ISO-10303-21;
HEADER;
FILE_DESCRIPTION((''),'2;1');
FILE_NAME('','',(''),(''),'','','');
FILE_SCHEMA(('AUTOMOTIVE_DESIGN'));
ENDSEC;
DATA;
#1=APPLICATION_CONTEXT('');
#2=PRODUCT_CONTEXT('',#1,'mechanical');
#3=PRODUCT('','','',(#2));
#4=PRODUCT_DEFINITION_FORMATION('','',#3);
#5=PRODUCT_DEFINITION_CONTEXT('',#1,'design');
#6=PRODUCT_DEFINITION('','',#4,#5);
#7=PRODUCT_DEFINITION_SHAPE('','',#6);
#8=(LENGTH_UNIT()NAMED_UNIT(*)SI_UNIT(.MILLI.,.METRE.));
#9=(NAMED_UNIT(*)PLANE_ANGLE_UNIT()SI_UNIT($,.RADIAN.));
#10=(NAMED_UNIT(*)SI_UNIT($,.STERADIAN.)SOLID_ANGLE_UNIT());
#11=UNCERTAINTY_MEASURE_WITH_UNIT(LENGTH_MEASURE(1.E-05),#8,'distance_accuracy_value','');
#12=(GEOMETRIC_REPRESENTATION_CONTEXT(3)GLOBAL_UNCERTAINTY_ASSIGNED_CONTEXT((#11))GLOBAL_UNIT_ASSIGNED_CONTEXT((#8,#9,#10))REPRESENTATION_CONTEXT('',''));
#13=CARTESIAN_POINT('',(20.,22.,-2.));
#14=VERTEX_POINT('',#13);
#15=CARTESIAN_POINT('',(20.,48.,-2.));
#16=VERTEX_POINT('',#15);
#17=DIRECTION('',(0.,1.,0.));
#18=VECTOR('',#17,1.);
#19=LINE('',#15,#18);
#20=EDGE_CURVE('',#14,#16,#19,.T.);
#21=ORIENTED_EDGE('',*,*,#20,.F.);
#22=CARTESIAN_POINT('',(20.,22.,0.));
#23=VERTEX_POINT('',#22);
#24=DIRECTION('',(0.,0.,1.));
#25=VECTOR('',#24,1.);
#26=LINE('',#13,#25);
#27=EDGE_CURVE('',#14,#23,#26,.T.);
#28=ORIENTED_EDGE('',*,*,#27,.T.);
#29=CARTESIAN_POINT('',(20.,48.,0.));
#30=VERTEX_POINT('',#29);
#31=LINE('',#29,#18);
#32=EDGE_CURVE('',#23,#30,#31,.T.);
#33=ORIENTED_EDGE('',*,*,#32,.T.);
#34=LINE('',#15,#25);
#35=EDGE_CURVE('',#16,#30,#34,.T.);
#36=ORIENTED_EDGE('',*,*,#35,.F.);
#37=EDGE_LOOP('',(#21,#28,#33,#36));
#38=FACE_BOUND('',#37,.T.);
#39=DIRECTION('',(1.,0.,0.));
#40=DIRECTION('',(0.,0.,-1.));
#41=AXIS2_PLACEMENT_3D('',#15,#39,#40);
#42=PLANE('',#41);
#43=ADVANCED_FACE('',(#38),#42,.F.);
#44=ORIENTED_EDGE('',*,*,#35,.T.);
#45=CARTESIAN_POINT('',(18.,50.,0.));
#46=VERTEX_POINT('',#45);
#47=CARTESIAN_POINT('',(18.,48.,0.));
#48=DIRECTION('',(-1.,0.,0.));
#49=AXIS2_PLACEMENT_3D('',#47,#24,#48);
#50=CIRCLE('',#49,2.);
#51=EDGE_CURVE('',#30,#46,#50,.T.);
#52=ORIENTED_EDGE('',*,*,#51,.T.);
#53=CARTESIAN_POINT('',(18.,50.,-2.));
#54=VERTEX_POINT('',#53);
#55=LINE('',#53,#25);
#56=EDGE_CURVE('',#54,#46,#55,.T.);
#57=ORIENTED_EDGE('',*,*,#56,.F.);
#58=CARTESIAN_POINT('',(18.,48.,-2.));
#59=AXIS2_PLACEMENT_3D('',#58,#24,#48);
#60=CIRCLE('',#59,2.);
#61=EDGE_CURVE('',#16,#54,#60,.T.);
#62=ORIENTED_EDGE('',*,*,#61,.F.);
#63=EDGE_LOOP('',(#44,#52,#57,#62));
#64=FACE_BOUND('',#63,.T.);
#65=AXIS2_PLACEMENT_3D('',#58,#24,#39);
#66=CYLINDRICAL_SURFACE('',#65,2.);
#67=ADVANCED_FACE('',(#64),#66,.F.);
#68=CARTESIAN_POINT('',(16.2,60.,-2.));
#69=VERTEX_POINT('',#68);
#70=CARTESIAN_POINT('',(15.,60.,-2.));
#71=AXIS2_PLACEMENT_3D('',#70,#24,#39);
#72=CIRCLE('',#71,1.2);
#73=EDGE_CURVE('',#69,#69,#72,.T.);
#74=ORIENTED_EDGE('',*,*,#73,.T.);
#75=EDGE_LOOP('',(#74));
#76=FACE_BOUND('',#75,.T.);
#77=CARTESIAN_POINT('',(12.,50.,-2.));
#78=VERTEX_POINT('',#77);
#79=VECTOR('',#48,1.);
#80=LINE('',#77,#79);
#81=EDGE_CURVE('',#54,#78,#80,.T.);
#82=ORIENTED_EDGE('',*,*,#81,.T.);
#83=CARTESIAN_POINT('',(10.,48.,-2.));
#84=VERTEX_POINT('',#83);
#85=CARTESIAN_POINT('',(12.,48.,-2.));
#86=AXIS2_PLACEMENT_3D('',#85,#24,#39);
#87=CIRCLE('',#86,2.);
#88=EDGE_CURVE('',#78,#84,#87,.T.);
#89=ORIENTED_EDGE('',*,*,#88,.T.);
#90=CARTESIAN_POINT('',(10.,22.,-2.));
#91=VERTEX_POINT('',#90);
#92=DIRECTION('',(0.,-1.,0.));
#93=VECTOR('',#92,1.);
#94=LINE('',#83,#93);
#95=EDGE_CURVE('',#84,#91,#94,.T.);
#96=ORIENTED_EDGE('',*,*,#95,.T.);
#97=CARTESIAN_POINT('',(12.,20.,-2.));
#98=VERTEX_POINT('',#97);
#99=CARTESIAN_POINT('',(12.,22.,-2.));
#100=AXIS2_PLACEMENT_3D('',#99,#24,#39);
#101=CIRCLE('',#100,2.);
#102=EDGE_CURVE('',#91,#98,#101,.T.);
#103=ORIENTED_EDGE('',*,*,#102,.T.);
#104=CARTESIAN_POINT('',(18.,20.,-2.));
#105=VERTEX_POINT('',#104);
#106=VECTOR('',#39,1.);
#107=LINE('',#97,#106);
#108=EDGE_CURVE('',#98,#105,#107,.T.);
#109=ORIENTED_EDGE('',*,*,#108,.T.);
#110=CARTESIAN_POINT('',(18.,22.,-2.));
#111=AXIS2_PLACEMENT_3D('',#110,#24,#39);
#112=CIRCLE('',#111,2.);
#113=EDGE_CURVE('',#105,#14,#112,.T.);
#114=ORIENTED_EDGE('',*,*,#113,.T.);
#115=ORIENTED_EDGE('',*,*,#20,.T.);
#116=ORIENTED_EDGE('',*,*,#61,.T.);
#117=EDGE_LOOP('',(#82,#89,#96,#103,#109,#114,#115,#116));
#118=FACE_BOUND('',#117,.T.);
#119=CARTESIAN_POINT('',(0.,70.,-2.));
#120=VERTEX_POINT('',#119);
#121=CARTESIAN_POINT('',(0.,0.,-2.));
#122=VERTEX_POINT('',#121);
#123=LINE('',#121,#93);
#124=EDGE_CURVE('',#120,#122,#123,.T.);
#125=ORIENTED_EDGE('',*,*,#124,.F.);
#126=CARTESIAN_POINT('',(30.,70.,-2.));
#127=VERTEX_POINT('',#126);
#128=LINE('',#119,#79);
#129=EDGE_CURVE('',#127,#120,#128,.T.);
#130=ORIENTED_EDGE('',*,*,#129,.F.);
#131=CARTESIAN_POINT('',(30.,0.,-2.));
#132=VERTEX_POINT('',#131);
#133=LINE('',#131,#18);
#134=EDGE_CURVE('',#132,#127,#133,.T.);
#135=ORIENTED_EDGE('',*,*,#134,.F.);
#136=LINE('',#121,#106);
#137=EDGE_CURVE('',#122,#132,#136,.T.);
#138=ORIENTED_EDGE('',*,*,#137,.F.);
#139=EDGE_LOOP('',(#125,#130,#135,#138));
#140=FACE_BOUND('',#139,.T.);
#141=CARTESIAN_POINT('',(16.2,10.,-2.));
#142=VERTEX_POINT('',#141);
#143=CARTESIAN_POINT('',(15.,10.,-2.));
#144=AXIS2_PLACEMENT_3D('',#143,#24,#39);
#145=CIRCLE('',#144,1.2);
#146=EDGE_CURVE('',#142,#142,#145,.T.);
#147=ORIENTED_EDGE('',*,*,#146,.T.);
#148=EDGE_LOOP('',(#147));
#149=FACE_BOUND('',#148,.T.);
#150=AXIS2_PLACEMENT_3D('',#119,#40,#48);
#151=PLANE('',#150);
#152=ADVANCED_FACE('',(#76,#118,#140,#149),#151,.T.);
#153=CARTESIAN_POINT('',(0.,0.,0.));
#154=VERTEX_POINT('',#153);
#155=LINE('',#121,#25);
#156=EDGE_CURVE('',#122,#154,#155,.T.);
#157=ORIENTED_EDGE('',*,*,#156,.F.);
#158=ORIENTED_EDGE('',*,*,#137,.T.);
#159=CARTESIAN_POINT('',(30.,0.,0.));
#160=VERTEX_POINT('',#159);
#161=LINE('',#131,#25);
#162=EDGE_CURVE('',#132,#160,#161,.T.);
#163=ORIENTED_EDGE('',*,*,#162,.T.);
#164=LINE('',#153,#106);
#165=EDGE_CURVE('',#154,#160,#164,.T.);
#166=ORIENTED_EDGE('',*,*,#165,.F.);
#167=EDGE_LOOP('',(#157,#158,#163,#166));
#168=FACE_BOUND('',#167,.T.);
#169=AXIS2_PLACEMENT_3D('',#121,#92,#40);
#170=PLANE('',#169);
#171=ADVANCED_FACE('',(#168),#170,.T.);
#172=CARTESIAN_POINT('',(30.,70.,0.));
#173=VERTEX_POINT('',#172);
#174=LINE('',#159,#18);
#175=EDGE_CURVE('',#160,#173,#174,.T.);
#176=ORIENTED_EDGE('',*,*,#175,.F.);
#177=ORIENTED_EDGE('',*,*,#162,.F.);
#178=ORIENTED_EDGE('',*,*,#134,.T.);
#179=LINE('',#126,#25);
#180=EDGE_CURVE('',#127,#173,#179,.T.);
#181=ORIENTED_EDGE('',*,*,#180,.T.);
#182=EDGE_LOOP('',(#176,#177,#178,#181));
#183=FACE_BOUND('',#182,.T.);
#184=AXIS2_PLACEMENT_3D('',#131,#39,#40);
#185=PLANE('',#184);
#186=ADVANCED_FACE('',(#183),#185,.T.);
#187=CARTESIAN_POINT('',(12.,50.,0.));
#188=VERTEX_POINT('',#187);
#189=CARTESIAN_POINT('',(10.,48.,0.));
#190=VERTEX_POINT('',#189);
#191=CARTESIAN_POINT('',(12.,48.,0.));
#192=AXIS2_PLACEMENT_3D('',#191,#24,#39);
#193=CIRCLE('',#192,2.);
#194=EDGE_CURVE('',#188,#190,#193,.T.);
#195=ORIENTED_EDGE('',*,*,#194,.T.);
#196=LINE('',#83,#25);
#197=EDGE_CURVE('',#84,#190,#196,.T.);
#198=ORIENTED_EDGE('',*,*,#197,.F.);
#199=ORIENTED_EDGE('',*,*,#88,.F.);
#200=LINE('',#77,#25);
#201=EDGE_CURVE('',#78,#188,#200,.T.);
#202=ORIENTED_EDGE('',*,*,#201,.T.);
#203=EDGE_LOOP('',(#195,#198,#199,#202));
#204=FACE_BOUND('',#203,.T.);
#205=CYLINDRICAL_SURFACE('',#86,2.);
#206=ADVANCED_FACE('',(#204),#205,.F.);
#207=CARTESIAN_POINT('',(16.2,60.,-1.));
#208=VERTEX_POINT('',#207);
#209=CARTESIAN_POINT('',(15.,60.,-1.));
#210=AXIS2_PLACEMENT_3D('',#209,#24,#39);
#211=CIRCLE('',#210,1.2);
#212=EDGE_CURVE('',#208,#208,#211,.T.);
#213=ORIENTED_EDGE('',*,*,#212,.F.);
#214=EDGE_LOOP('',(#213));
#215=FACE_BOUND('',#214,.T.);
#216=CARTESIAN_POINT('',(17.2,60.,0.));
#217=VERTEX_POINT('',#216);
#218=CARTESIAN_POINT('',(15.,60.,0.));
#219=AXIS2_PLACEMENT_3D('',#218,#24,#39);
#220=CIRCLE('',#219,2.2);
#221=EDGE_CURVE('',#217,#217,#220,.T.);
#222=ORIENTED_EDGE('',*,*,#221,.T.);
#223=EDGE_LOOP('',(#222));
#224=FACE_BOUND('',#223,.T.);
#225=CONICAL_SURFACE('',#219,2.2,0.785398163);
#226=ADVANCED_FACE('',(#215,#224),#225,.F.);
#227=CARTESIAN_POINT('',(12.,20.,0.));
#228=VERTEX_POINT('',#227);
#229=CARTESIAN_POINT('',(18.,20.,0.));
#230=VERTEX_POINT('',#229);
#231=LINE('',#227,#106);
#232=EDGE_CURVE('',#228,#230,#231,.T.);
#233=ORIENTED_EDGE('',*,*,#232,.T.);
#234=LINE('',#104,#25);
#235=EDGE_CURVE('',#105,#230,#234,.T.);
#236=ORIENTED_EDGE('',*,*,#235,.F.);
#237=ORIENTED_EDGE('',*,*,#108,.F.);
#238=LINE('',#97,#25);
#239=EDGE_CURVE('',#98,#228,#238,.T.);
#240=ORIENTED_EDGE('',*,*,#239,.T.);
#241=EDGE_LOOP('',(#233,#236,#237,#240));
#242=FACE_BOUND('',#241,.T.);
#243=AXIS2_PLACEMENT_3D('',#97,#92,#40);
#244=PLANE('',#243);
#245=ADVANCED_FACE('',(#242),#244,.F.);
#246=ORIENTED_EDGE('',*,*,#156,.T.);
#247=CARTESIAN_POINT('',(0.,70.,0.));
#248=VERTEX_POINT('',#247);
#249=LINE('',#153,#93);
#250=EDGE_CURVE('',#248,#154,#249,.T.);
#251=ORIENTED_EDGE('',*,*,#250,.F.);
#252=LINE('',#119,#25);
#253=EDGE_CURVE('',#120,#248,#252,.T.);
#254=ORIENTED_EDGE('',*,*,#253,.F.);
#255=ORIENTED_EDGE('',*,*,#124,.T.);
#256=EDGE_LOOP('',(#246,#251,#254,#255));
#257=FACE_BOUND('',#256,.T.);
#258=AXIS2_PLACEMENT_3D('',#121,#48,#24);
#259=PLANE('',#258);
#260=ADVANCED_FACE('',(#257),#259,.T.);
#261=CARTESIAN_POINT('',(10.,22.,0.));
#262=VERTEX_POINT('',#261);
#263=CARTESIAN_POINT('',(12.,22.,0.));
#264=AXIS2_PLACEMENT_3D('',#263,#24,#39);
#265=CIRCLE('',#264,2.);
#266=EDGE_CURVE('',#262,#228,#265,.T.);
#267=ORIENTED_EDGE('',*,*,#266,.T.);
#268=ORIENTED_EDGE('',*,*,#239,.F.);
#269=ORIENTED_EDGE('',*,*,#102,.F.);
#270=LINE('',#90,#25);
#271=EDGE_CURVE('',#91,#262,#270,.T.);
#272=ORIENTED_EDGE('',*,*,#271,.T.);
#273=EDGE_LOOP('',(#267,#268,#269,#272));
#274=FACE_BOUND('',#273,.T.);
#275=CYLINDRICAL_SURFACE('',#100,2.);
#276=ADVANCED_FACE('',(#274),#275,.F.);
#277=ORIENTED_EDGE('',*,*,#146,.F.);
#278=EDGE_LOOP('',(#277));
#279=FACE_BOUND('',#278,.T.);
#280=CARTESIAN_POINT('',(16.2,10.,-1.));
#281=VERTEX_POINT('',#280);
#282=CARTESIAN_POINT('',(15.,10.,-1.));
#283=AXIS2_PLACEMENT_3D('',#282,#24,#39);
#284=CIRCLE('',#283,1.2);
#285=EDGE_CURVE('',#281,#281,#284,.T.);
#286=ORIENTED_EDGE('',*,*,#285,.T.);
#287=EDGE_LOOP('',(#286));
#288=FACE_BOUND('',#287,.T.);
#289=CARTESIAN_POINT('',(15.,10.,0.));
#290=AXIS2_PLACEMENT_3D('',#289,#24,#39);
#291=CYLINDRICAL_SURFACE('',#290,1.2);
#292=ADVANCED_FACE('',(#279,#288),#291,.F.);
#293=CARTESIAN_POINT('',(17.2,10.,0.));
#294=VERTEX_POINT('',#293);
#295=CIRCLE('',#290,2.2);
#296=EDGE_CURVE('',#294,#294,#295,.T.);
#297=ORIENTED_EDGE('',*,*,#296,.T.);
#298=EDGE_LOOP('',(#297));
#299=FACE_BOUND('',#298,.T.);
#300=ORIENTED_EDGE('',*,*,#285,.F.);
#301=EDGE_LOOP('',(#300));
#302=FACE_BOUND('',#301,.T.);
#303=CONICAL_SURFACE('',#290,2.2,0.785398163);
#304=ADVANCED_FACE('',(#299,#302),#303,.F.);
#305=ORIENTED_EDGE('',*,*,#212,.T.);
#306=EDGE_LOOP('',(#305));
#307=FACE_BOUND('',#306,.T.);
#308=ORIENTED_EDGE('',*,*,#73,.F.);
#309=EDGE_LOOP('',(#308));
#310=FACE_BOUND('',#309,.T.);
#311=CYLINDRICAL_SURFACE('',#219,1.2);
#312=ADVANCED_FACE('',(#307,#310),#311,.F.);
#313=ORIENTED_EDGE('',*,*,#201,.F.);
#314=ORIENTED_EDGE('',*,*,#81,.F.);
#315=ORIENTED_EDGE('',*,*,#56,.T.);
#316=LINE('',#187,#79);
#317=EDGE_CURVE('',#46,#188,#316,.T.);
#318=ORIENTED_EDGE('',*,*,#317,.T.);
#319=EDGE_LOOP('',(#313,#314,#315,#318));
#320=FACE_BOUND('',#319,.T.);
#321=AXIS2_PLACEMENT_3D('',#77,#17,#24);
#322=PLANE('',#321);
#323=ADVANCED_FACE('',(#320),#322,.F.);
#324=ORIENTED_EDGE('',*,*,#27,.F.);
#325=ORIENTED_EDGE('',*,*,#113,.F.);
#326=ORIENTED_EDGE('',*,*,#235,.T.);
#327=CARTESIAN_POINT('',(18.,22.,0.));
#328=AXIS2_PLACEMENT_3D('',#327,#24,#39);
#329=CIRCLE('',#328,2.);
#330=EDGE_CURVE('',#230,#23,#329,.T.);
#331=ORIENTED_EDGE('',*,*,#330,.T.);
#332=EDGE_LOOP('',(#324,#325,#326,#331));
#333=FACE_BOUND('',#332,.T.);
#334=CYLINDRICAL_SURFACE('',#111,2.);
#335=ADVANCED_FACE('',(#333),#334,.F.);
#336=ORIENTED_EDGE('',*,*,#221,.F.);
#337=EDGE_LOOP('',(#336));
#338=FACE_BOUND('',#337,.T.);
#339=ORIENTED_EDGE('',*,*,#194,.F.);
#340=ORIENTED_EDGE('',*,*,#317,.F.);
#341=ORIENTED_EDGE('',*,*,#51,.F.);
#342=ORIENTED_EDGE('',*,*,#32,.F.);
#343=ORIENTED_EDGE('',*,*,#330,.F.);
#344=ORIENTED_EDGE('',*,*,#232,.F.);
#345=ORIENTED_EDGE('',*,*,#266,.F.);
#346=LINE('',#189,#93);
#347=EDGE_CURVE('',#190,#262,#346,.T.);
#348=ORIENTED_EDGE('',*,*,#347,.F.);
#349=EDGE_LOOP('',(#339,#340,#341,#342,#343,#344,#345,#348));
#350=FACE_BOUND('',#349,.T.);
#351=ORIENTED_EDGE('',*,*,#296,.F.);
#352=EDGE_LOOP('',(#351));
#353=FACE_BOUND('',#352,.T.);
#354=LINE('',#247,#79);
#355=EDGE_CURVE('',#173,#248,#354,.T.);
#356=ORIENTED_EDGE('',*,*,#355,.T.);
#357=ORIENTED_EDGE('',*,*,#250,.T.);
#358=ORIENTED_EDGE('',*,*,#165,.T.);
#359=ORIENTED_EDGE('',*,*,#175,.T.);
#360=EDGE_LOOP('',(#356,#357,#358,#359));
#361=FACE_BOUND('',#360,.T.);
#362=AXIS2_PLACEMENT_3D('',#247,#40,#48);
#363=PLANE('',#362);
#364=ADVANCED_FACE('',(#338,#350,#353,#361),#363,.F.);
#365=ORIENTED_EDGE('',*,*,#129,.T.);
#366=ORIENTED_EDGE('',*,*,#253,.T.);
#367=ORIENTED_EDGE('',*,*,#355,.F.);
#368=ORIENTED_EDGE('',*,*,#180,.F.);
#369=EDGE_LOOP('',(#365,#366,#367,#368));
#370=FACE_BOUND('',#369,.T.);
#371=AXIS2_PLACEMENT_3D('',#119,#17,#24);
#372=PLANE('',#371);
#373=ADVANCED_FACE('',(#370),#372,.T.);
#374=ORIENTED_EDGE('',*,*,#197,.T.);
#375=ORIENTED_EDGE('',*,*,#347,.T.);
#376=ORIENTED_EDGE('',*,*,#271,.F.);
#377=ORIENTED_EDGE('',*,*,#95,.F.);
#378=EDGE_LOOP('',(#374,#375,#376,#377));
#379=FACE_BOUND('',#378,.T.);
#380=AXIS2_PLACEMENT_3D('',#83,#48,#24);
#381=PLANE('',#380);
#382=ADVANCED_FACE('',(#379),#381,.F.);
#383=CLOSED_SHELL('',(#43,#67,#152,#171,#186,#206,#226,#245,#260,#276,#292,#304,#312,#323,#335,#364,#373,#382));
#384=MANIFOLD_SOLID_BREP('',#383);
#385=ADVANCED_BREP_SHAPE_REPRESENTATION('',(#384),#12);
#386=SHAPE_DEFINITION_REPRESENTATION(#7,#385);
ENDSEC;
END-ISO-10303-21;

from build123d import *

# Parameters (mm, degrees)
SKETCH1_W                                   = 30
SKETCH1_H                                   = 70
EXTRUDE1_DEPTH                              = 2
CSK_FOR_FLAT_HEAD_MACHINE_SCREW1_AT_2_COUNT = 2
CSK_FOR_FLAT_HEAD_MACHINE_SCREW1_AT_2_PITCH = 50


with BuildPart() as part:
    # Sketch1 → Extrude1 (new body)
    with BuildSketch(Plane.XY):
        with Locations((15, 35)):
            Rectangle(SKETCH1_W, SKETCH1_H)
        with BuildLine():
            Line((12, 50), (18, 50))
            ThreePointArc((18, 50), (19.414213562, 49.414213562), (20, 48))
            Line((20, 48), (20, 22))
            ThreePointArc((20, 22), (19.414213562, 20.585786438), (18, 20))
            Line((18, 20), (12, 20))
            ThreePointArc((12, 20), (10.585786438, 20.585786438), (10, 22))
            Line((10, 22), (10, 48))
            ThreePointArc((10, 48), (10.585786438, 49.414213562), (12, 50))
        make_face(mode=Mode.SUBTRACT)
    extrude(amount=-EXTRUDE1_DEPTH)

    # Sketch2 → CSK for  Flat Head Machine Screw1 (revolve, cut)
    with BuildSketch(Plane(origin=(15, 60, 0), x_dir=(0, -1, 0), z_dir=(1, 0, 0))):
        Polygon((0, 0), (0, 2), (1.2, 2), (1.2, 1), (2.2, 0), align=None)
    csk_for_flat_head_machine_screw1 = revolve(axis=Axis((15, 60, 6.35), (0, 0, -1)), mode=Mode.SUBTRACT)

    # CSK for  Flat Head Machine Screw1 at 2: CSK for  Flat Head Machine Screw1 ×2
    with Locations(*[(0, -i * CSK_FOR_FLAT_HEAD_MACHINE_SCREW1_AT_2_PITCH, 0) for i in range(1, CSK_FOR_FLAT_HEAD_MACHINE_SCREW1_AT_2_COUNT)]):
        add(csk_for_flat_head_machine_screw1, mode=Mode.SUBTRACT)


solid = part.part
